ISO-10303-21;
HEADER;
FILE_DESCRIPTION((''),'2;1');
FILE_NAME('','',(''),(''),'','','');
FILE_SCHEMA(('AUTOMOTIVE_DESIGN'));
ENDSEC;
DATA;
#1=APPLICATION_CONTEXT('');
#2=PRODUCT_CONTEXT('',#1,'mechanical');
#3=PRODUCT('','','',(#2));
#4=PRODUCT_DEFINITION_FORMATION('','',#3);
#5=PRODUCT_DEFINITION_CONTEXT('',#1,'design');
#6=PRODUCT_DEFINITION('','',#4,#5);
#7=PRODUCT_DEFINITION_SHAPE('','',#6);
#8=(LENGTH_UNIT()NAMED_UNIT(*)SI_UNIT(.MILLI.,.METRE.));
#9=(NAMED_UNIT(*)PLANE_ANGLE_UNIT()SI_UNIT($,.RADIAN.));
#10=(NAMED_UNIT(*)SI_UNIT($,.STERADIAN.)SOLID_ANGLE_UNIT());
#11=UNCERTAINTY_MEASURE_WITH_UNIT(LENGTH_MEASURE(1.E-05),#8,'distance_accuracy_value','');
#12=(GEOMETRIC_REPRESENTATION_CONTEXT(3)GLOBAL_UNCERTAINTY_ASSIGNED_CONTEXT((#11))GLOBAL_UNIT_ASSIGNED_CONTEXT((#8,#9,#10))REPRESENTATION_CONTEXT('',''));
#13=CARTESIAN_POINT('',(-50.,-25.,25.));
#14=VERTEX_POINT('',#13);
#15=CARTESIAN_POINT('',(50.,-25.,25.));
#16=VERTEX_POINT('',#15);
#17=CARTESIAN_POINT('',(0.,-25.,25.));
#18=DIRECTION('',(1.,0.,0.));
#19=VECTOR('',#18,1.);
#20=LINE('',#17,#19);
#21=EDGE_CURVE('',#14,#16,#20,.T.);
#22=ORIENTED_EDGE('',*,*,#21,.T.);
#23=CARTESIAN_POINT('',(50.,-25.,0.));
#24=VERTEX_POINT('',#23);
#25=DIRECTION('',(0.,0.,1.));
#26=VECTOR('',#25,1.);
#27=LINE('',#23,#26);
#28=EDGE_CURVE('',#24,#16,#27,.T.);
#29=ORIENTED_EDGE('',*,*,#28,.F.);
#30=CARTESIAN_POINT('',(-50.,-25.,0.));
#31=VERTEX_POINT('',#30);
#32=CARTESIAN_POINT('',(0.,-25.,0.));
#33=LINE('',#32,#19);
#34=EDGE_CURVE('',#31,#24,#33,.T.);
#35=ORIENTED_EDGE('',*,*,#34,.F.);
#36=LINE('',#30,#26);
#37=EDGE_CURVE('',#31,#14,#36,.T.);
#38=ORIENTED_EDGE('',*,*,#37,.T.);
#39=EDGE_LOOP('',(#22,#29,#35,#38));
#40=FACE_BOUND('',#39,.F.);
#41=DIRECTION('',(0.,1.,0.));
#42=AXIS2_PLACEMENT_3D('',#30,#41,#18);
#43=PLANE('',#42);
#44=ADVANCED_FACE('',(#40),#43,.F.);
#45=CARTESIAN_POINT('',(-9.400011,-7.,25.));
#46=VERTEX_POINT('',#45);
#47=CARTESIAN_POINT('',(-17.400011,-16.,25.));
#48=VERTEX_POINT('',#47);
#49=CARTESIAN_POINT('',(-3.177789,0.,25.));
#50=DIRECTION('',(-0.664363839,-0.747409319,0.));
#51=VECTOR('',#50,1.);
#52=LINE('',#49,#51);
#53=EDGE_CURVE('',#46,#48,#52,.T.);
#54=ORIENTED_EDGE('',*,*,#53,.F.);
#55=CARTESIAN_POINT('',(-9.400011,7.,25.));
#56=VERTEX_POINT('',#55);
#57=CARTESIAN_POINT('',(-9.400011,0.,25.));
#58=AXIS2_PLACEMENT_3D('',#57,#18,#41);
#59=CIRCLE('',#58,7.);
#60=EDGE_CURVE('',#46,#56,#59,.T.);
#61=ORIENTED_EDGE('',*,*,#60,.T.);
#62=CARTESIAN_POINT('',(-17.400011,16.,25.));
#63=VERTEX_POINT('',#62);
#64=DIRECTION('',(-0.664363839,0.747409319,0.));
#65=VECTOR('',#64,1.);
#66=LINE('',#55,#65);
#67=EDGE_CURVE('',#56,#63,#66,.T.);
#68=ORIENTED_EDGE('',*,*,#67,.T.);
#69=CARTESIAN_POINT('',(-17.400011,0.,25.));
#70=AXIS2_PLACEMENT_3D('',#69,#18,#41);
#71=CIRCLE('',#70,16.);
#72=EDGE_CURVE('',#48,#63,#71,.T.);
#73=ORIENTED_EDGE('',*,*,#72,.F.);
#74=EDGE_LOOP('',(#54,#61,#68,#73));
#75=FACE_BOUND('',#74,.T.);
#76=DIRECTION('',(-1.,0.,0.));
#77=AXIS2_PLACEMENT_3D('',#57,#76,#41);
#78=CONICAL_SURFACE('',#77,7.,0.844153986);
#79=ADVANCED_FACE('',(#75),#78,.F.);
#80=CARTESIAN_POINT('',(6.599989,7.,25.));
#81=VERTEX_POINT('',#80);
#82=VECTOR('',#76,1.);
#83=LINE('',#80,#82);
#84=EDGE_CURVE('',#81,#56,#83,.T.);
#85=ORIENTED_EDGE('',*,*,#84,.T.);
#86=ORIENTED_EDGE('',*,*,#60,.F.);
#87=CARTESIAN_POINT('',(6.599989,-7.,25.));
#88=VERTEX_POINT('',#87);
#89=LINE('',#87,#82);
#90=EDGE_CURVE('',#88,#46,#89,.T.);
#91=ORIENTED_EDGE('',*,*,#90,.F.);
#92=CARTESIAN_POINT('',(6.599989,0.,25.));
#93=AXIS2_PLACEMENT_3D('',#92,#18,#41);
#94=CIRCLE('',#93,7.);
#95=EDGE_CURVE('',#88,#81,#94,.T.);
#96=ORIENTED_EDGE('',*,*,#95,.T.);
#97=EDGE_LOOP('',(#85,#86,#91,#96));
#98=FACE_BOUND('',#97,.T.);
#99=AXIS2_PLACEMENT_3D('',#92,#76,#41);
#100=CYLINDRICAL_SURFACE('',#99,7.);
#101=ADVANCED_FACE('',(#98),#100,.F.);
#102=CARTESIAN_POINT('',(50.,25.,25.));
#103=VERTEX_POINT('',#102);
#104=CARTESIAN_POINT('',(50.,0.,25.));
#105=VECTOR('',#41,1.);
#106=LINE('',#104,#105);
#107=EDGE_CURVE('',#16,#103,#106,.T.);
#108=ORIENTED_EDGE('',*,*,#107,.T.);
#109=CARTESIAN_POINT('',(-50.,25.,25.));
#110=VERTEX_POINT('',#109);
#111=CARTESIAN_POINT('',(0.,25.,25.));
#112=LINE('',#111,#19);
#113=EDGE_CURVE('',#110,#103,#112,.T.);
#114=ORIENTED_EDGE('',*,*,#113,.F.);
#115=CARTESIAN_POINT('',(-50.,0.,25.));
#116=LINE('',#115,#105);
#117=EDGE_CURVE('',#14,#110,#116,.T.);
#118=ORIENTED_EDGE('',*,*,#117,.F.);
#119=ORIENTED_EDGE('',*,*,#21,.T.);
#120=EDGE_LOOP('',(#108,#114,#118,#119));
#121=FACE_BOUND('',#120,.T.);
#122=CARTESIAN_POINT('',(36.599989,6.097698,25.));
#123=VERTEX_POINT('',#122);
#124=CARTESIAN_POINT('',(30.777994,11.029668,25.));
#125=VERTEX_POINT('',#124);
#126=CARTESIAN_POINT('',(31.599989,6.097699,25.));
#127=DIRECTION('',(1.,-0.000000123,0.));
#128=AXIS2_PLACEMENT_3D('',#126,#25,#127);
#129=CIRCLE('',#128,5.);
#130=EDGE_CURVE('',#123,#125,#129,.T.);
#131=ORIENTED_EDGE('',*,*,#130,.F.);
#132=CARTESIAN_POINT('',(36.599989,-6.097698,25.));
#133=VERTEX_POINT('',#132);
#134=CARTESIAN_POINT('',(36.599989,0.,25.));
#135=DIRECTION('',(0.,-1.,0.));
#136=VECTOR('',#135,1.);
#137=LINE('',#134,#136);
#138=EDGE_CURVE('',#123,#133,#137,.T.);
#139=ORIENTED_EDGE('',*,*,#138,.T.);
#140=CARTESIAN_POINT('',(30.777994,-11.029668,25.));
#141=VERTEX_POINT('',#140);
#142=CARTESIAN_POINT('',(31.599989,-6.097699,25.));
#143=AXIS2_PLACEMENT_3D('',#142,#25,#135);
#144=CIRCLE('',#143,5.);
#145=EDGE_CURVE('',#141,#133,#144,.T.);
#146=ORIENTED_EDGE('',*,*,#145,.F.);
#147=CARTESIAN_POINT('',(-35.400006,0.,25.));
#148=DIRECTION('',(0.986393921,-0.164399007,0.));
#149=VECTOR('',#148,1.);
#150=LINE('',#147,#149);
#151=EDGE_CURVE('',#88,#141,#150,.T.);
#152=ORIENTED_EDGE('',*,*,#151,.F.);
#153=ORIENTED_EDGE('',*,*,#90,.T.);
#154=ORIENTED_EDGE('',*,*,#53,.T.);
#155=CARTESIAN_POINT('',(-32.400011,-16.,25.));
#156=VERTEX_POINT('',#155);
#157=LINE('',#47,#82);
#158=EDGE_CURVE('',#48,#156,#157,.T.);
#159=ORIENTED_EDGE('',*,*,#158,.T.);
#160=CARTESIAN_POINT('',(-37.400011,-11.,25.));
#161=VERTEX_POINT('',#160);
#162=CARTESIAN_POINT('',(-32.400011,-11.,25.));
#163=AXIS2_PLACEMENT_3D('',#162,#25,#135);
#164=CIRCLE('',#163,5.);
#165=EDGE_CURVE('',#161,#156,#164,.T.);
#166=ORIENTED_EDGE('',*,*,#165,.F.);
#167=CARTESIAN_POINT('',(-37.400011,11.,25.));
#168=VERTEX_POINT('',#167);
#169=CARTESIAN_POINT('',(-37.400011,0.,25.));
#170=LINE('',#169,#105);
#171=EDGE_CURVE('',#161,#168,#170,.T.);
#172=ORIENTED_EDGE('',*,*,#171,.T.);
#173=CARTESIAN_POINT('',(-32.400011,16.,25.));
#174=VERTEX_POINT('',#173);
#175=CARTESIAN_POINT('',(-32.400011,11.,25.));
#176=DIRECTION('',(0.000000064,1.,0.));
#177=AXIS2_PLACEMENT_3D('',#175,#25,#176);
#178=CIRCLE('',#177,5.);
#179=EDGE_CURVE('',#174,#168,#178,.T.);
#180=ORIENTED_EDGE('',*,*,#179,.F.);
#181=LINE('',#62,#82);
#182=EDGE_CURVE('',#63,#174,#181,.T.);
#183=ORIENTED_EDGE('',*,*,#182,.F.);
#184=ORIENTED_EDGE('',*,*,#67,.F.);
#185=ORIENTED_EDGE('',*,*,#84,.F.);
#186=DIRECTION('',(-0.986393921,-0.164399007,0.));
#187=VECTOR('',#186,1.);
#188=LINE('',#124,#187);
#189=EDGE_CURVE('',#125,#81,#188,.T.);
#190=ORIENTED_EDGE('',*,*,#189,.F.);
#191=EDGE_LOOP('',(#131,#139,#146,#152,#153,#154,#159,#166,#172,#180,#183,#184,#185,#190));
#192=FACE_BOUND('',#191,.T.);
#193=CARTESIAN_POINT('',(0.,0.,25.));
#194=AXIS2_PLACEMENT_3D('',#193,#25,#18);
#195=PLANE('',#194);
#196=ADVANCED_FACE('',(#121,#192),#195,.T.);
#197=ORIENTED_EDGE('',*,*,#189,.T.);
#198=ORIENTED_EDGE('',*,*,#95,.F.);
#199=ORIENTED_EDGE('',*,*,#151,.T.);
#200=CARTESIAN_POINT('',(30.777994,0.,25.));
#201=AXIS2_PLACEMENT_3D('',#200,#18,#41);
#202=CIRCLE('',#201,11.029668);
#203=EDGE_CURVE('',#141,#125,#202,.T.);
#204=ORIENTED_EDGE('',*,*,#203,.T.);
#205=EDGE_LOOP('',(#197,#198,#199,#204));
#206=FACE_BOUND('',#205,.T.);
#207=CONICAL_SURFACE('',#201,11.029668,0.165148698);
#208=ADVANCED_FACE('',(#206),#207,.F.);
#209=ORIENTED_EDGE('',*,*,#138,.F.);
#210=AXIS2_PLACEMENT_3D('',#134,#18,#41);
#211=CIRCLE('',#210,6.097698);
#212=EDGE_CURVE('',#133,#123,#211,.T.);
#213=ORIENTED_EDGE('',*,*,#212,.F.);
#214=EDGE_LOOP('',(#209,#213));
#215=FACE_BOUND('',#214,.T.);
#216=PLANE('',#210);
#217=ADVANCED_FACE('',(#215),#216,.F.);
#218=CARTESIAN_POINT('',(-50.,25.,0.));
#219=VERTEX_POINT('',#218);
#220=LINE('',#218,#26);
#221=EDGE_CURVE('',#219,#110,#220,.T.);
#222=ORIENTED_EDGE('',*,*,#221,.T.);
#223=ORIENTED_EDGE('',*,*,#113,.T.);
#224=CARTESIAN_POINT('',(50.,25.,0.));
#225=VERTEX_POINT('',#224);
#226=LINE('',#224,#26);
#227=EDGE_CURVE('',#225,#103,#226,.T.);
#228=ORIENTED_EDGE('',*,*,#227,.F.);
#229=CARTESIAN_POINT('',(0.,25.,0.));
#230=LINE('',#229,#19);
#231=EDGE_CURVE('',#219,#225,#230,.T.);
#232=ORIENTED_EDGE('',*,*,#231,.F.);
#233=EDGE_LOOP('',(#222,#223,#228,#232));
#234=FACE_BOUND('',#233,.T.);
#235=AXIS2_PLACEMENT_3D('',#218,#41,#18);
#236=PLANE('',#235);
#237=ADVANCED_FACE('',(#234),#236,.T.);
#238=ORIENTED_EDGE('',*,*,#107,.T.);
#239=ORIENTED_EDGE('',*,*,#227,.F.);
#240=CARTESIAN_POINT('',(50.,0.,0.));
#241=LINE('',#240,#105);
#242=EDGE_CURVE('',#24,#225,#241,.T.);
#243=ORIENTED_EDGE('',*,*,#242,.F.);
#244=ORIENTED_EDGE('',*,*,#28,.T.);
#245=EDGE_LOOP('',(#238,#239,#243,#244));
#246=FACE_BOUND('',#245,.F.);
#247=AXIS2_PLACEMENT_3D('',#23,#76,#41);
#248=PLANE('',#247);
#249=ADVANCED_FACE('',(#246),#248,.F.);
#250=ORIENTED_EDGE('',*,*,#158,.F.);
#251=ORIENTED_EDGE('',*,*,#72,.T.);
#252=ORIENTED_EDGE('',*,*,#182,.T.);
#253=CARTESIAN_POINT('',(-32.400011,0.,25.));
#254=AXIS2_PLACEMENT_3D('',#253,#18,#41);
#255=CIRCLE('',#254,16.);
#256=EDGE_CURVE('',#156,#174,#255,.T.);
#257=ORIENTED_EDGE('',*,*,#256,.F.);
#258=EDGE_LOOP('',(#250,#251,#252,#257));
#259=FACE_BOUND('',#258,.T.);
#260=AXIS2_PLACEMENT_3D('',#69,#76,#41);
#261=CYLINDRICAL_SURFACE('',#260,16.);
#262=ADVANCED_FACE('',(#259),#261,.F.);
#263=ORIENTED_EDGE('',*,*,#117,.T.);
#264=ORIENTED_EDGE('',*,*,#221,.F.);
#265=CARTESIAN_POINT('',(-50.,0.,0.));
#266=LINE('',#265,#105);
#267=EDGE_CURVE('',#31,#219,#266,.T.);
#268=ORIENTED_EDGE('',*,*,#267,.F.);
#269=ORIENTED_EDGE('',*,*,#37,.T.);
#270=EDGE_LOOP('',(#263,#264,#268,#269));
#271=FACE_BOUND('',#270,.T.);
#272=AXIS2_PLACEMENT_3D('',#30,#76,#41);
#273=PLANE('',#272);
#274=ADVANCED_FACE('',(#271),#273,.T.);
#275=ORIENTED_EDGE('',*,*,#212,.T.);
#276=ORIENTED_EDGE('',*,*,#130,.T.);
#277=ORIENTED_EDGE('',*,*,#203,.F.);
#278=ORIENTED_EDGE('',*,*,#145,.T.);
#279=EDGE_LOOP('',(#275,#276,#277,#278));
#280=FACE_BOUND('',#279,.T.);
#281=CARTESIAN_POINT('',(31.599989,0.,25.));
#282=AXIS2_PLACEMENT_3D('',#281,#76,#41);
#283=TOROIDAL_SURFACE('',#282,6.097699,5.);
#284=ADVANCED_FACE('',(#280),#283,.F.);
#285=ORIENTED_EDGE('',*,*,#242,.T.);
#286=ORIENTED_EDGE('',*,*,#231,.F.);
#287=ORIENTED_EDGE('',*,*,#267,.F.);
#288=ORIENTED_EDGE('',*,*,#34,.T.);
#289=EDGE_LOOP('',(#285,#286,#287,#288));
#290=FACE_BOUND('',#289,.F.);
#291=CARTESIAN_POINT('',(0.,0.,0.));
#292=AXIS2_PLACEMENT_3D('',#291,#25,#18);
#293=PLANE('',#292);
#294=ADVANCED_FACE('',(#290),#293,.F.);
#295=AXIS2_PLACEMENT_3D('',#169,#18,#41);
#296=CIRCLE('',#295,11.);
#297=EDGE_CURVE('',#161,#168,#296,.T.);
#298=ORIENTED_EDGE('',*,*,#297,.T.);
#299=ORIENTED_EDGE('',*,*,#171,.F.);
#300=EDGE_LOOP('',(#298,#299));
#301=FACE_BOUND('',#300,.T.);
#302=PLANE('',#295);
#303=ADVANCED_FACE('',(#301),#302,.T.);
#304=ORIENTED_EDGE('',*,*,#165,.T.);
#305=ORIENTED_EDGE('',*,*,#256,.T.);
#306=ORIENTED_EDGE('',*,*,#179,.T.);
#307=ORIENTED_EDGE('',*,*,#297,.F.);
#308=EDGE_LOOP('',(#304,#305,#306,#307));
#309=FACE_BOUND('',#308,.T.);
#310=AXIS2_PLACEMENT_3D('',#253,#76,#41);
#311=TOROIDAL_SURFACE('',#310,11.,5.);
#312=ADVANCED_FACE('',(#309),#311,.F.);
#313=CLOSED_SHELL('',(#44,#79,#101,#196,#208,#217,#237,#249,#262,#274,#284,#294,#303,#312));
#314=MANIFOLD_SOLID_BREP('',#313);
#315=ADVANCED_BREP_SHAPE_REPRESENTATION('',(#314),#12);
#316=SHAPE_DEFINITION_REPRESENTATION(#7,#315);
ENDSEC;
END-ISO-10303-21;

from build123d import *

# Parameters (mm, degrees)
F0_W     = 100
F0_H     = 50
F1_DEPTH = 25


with BuildPart() as f1:
    # F0 (on Top) → F1 (new body)
    with BuildSketch(Plane.XY):
        Rectangle(F0_W, F0_H)
    extrude(amount=F1_DEPTH)

    # F2 (on face) → F3 (revolve, cut)
    with BuildSketch(Plane.XY.offset(25)):
        with BuildLine():
            Line((-17.400011, 16), (-32.400011, 16))
            ThreePointArc((-32.400011, 16), (-35.935545, 14.535534), (-37.400011, 11))
            Line((-37.400011, 11), (-37.400011, 0))
            Line((-37.400011, 0), (36.599989, 0))
            Line((36.599989, 0), (36.599989, 6.097698))
            ThreePointArc((36.599989, 6.097698), (34.831864, 9.912798), (30.777994, 11.029668))
            Line((30.777994, 11.029668), (6.599989, 7))
            Line((6.599989, 7), (-9.400011, 7))
            Line((-9.400011, 7), (-17.400011, 16))
        make_face()
    revolve(axis=Axis((1.115499, 0, 25), (1, 0, 0)), mode=Mode.SUBTRACT)


solid = f1.part
